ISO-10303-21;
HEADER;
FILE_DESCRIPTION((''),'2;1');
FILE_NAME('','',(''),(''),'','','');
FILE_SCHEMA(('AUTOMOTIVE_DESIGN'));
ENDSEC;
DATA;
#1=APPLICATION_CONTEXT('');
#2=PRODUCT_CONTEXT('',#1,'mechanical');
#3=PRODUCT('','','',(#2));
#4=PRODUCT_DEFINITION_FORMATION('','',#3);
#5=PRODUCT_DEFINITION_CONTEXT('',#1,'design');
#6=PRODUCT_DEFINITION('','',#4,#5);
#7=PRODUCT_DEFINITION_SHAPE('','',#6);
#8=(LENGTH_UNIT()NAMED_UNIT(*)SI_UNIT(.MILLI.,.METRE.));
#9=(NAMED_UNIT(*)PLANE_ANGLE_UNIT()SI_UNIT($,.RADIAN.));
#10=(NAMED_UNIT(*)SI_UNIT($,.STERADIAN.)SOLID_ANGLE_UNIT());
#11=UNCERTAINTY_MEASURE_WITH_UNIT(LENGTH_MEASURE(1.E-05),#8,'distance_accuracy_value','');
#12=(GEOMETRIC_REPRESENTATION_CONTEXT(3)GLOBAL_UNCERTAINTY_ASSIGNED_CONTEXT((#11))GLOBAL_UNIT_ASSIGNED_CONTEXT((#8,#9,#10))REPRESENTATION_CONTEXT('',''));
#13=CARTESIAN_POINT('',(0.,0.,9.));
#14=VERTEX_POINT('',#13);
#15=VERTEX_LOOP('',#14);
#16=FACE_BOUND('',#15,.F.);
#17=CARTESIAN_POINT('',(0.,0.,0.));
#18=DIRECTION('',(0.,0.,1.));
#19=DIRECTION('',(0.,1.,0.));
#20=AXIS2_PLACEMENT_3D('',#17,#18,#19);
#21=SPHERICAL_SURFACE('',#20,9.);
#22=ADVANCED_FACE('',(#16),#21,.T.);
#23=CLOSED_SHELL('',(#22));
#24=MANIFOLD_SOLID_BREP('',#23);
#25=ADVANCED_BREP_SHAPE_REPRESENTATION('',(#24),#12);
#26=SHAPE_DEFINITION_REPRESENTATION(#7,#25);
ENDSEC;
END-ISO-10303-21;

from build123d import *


with BuildPart() as f1:
    # F0 (on Right) → F1 (revolve)
    with BuildSketch(Plane.YZ):
        with BuildLine():
            ThreePointArc((0, -9), (9, 0), (0, 9))
            Line((0, 9), (0, -9))
        make_face()
    revolve(axis=Axis((0, 0, 0), (0, 0, -1)))


solid = f1.part
